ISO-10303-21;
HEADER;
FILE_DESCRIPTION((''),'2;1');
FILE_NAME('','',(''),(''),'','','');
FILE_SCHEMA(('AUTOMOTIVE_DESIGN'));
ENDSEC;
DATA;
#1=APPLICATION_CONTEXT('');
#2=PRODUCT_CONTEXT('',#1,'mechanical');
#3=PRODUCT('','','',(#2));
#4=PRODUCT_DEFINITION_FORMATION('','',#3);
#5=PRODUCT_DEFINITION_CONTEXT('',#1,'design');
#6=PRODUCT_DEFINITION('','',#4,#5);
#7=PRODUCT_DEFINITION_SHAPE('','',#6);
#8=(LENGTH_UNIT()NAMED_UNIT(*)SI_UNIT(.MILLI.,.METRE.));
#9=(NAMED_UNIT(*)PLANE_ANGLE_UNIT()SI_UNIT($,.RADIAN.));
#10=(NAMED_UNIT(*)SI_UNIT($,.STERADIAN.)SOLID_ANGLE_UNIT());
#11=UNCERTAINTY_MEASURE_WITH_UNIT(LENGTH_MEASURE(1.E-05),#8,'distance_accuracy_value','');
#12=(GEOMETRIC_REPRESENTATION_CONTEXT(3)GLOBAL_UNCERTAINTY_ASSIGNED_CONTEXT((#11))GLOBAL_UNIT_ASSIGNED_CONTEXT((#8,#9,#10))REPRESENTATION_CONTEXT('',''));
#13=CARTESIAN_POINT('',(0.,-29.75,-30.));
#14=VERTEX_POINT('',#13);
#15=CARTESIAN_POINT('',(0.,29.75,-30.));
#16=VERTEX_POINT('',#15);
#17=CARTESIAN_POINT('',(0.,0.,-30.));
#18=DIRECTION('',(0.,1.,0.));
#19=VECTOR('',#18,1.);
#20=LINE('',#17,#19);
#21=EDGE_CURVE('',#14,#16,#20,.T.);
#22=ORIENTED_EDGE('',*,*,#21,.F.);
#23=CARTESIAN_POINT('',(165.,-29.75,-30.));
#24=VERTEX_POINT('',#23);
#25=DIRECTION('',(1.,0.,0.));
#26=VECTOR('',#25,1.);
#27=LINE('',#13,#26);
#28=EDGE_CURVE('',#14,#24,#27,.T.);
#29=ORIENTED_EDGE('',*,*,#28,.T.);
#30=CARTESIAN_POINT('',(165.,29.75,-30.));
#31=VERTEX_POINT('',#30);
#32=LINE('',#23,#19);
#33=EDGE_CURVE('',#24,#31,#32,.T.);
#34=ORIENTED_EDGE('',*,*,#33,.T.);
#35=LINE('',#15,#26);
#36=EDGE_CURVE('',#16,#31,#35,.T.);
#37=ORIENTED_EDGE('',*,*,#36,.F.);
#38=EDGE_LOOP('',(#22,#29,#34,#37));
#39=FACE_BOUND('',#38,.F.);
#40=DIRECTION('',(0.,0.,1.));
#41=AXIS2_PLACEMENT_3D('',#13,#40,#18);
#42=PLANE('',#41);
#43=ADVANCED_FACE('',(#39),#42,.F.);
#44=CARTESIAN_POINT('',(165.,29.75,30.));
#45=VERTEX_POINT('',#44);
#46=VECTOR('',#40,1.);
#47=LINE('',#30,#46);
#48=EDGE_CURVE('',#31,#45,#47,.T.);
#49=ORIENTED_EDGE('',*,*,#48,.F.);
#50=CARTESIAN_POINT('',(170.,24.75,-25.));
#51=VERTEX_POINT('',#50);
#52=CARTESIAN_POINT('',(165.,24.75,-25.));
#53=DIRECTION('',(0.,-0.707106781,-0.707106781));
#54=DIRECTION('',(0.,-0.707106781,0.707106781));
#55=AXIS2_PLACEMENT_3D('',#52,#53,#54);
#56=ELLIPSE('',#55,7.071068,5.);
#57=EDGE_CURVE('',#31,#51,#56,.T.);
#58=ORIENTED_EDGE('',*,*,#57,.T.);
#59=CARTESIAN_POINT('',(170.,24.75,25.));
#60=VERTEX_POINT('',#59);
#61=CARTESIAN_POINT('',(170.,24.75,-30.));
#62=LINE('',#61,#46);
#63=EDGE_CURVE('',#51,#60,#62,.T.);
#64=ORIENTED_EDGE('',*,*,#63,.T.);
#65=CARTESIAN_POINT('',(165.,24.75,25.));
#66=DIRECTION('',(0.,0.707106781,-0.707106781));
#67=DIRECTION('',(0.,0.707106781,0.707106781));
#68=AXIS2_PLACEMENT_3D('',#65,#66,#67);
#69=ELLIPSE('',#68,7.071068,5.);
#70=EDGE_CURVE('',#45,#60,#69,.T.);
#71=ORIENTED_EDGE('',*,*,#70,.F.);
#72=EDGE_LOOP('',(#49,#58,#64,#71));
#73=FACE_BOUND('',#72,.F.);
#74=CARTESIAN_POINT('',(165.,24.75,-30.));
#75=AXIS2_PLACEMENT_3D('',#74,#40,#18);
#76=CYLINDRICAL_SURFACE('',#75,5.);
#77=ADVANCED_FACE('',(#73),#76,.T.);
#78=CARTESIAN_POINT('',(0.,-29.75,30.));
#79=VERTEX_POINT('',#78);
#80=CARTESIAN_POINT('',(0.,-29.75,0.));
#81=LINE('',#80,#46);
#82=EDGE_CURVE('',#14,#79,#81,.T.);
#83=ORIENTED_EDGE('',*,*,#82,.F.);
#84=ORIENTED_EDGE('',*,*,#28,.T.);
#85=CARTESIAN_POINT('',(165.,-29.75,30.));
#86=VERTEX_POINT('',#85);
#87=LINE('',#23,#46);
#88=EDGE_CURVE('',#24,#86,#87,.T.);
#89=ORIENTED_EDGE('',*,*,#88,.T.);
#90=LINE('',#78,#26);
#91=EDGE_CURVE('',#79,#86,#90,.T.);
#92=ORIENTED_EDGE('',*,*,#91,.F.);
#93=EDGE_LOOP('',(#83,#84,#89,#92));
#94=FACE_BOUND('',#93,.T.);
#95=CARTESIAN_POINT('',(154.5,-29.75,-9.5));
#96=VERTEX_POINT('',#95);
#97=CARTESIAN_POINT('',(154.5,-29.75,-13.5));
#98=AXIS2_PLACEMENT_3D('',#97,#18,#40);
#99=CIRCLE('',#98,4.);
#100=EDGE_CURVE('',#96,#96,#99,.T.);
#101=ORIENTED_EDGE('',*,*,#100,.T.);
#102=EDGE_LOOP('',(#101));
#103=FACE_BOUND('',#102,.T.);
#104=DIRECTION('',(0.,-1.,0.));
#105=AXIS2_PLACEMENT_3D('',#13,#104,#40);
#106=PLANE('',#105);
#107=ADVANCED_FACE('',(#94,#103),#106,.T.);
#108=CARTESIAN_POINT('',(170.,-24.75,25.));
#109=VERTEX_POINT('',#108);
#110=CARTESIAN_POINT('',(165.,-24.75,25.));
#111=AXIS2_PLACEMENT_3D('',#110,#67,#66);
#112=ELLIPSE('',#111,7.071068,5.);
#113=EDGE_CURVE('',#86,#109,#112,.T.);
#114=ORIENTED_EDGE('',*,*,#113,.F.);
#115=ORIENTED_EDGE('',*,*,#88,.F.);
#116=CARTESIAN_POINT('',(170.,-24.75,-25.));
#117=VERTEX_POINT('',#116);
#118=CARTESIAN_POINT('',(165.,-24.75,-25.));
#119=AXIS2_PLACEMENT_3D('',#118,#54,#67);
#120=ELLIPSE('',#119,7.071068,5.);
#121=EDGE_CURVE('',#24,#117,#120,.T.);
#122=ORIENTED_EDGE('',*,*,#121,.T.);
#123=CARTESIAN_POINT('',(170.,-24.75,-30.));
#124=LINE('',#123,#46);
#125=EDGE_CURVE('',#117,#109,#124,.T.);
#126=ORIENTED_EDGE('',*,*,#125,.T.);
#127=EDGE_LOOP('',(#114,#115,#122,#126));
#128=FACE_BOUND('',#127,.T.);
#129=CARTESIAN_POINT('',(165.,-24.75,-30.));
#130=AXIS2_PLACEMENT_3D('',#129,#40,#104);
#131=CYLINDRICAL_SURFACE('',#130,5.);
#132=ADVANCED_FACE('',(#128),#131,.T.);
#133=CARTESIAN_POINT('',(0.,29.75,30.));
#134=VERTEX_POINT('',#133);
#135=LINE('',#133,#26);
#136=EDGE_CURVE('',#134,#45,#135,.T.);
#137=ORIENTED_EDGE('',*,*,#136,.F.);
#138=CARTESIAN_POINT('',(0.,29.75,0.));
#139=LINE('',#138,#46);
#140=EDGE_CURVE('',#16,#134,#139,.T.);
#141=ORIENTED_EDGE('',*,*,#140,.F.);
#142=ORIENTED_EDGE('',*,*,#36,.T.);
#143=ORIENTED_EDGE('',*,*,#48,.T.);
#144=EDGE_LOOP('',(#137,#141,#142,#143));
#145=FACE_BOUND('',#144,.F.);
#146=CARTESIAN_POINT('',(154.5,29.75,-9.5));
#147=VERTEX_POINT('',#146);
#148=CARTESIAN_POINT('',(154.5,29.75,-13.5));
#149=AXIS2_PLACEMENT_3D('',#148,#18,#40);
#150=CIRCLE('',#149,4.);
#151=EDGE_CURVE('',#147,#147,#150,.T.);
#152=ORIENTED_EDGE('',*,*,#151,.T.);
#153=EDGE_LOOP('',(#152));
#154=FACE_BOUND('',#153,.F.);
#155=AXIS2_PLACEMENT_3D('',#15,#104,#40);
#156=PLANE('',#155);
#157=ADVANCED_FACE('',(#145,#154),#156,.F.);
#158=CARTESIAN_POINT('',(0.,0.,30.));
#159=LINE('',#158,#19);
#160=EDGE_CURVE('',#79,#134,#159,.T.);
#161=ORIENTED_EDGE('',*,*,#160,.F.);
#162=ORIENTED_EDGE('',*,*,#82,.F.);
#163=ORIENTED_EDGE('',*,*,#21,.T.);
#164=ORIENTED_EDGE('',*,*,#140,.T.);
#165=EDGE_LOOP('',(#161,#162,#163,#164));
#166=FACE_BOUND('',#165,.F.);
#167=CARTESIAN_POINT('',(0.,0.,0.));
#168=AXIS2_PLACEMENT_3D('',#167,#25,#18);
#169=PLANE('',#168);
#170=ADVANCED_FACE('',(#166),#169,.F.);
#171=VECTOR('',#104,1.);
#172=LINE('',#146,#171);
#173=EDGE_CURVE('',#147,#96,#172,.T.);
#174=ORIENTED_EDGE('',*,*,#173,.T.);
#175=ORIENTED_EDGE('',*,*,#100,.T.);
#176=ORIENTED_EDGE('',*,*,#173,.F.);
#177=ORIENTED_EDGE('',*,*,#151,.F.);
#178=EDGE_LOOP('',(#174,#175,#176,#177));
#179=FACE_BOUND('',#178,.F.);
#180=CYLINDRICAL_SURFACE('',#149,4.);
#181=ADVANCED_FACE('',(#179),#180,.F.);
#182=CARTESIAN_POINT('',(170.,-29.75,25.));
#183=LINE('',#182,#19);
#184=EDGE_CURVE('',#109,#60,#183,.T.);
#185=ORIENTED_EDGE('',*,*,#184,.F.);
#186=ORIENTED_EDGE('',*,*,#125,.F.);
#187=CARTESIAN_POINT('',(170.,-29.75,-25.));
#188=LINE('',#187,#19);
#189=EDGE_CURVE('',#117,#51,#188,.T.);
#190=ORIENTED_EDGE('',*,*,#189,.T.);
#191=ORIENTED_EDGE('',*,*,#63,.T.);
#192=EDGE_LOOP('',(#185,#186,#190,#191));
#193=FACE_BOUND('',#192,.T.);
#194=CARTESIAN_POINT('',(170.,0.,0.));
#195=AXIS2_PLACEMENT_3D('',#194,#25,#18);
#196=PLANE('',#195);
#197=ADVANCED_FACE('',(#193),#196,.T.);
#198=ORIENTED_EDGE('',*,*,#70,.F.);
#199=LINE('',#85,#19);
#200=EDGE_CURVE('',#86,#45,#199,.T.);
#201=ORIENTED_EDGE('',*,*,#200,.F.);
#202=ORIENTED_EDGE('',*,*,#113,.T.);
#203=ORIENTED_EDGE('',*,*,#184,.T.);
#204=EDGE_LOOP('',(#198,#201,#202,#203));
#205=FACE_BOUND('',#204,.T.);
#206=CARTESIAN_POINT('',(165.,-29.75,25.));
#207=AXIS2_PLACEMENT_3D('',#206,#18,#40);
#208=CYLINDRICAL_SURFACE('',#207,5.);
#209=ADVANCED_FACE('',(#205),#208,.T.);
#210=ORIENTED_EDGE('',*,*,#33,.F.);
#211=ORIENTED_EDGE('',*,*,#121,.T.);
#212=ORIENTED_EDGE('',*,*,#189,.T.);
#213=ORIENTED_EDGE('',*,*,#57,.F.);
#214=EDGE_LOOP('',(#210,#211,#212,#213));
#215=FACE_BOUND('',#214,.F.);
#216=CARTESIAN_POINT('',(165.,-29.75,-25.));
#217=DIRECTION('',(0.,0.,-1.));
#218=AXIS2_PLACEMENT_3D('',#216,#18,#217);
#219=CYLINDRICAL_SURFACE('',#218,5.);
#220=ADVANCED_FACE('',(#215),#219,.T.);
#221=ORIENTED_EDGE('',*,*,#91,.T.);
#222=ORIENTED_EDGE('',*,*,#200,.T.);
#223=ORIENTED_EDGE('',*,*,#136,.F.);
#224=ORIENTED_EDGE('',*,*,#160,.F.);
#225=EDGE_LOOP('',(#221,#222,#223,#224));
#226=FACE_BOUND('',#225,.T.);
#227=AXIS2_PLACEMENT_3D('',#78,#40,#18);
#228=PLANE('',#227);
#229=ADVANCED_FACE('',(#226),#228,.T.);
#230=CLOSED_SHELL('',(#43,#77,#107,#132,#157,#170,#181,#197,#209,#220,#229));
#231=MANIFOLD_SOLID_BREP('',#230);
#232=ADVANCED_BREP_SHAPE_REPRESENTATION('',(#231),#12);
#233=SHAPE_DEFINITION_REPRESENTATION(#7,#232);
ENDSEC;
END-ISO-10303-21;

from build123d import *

# Parameters (mm, degrees)
SKETCH060_W     = 59.5
SKETCH060_H     = 60
PAD021_DEPTH    = 170
FILLET004_R     = 5
SKETCH061_R     = 4
POCKET038_DEPTH = 59.501


with BuildPart() as part:
    # Sketch060 → Pad021 (new body)
    with BuildSketch(Plane.YZ):
        Rectangle(SKETCH060_W, SKETCH060_H)
    extrude(amount=PAD021_DEPTH)

    # Fillet004
    fillet004_edges = [part.edges().sort_by_distance(p)[0] for p in [
        (170, 29.75, 0),
        (170, 0, 30),
        (170, 0, -30),
        (170, -29.75, 0),
    ]]
    fillet(fillet004_edges, radius=FILLET004_R)

    # Sketch061 (on Face5 of Fillet004) → Pocket038 (cut, through all)
    with BuildSketch(Plane.ZX.offset(29.75)):
        with Locations((-13.5, 154.5)):
            Circle(SKETCH061_R)
    extrude(amount=-POCKET038_DEPTH, mode=Mode.SUBTRACT)


solid = part.part
